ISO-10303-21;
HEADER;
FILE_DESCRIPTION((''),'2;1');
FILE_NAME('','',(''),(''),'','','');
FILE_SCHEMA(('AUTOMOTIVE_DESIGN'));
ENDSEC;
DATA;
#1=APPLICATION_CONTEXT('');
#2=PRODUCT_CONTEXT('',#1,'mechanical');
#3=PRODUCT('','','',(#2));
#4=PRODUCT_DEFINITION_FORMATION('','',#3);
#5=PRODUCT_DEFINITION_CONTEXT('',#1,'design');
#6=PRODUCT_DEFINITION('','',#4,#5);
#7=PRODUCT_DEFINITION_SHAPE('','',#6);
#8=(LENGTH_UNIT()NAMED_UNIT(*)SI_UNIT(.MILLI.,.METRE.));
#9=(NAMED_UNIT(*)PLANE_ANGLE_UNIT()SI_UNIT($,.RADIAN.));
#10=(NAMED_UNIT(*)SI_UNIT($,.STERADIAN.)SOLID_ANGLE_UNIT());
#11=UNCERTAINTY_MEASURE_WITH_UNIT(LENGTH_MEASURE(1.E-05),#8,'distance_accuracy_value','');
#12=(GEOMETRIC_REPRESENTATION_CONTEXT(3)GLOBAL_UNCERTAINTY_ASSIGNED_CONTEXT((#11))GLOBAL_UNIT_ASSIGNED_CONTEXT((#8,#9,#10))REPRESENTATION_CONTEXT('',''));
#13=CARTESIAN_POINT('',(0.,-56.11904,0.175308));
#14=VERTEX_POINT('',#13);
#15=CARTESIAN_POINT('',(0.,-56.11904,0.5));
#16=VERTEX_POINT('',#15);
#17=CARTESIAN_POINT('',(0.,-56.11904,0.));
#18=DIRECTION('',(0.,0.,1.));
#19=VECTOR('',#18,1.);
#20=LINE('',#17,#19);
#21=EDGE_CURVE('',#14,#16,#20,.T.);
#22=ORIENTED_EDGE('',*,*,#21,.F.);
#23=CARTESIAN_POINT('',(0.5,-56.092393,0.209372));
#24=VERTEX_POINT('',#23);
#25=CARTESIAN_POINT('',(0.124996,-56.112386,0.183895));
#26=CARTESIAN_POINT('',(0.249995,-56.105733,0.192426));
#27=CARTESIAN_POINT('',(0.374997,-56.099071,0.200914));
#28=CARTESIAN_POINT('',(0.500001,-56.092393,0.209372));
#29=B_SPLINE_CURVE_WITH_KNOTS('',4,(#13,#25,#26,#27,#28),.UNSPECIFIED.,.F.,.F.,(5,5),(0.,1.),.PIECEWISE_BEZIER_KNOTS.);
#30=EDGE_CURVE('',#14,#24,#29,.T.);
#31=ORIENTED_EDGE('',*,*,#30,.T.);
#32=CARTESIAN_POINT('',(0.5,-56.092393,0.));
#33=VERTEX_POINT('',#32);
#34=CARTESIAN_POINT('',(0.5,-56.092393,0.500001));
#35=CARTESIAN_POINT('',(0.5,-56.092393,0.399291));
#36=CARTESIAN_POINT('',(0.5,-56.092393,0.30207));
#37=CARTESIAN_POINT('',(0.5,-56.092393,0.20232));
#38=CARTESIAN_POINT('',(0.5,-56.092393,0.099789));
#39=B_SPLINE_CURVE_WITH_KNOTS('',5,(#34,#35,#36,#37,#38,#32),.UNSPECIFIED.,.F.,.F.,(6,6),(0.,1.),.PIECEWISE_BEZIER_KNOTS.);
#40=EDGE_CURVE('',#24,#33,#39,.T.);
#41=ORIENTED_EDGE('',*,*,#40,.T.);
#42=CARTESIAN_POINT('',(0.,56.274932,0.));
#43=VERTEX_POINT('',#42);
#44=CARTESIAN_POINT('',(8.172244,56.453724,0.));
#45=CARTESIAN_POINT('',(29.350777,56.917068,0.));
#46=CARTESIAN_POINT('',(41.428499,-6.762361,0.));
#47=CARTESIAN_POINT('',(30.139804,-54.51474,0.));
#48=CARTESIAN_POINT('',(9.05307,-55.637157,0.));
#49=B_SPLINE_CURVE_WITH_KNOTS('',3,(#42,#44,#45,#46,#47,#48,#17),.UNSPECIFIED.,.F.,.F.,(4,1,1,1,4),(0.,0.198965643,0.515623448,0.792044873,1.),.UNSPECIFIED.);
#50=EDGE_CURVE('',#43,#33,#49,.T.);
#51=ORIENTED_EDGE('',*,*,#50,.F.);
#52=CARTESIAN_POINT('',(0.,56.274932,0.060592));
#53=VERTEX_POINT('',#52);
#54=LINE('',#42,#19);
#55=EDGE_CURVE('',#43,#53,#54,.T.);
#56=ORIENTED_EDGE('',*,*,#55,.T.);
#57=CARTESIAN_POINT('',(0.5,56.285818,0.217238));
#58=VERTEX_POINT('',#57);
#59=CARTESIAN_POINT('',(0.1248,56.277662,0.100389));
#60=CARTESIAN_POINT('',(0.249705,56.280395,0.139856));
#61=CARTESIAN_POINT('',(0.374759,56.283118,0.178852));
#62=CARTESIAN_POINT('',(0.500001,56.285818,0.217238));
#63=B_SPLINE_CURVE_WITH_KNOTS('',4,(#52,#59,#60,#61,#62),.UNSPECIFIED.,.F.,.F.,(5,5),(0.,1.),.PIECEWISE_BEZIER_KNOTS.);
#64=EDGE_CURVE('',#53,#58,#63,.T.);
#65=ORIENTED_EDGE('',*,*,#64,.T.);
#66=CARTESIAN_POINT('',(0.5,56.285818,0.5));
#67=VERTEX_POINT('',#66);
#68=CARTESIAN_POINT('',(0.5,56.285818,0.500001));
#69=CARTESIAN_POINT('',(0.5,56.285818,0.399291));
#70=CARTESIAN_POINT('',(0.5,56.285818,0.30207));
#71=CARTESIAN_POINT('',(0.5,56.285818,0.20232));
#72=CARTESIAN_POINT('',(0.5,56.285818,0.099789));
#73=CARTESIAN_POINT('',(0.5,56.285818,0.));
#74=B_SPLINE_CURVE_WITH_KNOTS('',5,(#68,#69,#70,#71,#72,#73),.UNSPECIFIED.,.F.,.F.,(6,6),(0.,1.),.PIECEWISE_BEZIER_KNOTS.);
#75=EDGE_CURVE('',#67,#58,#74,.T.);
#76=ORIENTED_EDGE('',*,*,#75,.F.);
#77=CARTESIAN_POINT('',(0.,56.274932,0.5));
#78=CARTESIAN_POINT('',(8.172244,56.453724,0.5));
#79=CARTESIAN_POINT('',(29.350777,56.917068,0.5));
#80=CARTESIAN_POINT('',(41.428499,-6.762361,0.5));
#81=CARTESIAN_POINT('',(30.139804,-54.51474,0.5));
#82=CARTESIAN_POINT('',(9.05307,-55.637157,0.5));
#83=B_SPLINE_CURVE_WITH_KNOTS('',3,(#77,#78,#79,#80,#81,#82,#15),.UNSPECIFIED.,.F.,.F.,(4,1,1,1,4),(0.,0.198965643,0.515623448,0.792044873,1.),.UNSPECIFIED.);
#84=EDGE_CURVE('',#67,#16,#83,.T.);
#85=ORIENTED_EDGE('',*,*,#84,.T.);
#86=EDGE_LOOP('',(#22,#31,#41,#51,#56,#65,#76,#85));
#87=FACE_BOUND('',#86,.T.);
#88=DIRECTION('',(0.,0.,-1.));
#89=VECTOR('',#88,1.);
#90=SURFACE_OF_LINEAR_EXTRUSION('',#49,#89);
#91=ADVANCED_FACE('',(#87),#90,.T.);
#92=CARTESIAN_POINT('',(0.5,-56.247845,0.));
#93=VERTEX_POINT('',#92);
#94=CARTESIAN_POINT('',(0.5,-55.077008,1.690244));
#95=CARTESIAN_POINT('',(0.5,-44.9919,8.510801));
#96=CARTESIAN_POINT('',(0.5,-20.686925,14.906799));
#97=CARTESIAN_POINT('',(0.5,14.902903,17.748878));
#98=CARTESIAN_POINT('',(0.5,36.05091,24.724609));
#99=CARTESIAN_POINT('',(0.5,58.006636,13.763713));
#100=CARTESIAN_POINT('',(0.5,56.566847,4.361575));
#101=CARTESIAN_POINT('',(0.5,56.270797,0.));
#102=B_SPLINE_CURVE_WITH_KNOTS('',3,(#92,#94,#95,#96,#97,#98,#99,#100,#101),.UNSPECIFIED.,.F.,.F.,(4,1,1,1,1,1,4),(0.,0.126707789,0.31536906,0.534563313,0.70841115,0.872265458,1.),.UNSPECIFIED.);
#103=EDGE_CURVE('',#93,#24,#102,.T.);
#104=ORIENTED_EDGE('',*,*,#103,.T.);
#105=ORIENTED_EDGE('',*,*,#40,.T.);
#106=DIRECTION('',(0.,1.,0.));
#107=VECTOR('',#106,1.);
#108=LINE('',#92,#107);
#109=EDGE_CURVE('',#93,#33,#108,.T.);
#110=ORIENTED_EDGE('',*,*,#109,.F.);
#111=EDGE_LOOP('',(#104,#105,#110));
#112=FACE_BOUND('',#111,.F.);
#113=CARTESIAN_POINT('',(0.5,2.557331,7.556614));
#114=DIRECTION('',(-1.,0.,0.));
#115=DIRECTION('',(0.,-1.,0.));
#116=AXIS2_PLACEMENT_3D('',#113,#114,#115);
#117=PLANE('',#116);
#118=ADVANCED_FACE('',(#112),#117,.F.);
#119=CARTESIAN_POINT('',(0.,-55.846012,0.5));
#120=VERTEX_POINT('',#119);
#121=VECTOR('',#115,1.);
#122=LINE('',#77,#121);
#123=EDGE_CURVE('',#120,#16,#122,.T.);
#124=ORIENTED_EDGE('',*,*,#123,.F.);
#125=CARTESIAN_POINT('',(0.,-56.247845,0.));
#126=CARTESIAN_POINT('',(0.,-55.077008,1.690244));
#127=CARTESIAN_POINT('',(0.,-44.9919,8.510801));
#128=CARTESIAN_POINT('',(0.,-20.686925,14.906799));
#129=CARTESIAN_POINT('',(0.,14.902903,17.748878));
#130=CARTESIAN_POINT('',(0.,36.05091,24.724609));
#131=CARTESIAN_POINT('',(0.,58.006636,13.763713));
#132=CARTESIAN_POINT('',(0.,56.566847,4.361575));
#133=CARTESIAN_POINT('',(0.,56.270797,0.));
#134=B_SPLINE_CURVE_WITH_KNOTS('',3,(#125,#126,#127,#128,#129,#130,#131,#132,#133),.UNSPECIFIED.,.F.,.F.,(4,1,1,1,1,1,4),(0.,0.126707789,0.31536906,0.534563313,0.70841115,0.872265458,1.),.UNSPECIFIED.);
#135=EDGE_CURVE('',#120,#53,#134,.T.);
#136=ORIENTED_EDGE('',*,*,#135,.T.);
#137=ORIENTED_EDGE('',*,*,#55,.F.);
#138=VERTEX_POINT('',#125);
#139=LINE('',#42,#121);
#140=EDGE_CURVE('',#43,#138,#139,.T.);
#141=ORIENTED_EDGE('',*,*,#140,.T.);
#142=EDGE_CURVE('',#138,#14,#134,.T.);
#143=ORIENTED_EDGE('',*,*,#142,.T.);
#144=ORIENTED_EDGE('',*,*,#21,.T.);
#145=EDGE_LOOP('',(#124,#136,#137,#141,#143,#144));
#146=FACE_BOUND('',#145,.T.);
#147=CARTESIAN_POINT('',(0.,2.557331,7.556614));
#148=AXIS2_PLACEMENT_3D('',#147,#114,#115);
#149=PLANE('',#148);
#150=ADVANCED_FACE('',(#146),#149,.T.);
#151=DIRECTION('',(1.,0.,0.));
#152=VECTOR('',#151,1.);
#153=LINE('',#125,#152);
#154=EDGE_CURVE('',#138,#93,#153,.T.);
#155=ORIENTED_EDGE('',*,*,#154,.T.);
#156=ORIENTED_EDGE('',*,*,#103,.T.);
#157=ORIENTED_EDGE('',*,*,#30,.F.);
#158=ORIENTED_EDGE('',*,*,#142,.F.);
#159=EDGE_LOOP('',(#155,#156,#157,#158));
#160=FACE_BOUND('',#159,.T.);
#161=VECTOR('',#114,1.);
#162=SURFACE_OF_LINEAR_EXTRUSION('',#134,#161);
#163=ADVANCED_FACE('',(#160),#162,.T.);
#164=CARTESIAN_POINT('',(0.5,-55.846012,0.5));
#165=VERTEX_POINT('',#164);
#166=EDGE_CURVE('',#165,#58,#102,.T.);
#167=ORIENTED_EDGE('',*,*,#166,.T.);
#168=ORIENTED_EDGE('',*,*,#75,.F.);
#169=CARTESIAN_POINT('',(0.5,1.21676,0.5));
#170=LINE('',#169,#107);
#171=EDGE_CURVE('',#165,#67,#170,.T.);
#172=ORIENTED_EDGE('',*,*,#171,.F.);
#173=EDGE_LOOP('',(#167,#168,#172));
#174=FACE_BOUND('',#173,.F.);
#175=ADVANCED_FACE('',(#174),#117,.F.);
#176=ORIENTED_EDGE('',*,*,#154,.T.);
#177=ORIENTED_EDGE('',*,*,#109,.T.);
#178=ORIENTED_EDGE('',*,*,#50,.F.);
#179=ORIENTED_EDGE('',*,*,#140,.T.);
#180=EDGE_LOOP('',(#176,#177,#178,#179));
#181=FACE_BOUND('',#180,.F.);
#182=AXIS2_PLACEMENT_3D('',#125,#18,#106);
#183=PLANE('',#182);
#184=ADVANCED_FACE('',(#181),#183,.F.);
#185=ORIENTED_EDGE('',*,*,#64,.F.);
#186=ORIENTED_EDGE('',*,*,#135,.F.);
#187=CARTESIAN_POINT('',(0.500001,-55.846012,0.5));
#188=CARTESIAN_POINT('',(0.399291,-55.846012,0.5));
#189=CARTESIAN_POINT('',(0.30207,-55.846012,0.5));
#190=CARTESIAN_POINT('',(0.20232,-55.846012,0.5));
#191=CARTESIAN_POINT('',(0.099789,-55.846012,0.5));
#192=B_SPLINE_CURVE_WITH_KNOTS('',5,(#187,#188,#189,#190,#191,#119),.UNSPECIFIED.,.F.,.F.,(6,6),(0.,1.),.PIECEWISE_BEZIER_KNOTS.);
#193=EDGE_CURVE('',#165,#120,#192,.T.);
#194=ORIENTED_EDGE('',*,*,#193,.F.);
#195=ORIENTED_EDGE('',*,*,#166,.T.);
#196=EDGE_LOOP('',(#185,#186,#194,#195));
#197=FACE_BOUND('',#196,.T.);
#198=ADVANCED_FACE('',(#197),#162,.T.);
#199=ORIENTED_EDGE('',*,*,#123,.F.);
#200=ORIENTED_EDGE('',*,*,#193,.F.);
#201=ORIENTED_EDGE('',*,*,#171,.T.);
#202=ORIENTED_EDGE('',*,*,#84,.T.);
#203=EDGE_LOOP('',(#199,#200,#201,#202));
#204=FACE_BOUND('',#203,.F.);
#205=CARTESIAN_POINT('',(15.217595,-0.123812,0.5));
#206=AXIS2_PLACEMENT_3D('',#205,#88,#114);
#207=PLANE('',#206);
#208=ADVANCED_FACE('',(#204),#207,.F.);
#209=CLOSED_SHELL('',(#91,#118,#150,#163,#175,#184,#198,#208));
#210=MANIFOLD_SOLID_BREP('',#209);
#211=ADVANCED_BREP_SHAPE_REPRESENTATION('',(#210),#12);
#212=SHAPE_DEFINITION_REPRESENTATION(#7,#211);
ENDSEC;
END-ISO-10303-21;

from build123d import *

# Parameters (mm, degrees)
F2_DEPTH = 0.5
F3_DEPTH = 0.5


with BuildPart() as f2:
    # F0 (on Top) → F2 (new body)
    with BuildSketch(Plane.XY):
        with BuildLine():
            add(Edge.make_bspline(
                [(0, 56.2749318779), (8.1722437451, 56.4537241373), (29.3507770953, 56.9170678589), (41.4284993012, -6.7623608093), (30.1398044655, -54.5147400485), (9.0530695919, -55.6371574316), (0, -56.1190396547)],
                knots=[0, 0, 0, 0, 0.1989656428, 0.5156234484, 0.7920448729, 1, 1, 1, 1], degree=3))
            Line((0, 56.2749318779), (0, -56.1190396547))
        make_face()
    extrude(amount=F2_DEPTH)

    # F1 (on Right) → F3 (join)
    with BuildSketch(Plane.YZ):
        with BuildLine():
            add(Edge.make_bspline(
                [(-56.2478452921, 0), (-55.0770080766, 1.6902441297), (-44.9918997346, 8.5108011844), (-20.6869254415, 14.9067990388), (14.9029028426, 17.7488779982), (36.050910406, 24.7246089938), (58.0066359892, 13.763712674), (56.5668469161, 4.3615746116), (56.2707968056, 0)],
                knots=[0, 0, 0, 0, 0.1267077892, 0.3153690601, 0.5345633135, 0.7084111499, 0.8722654578, 1, 1, 1, 1], degree=3))
            Line((-56.2478452921, 0), (56.2707968056, 0))
        make_face()
    extrude(amount=F3_DEPTH)


solid = f2.part
